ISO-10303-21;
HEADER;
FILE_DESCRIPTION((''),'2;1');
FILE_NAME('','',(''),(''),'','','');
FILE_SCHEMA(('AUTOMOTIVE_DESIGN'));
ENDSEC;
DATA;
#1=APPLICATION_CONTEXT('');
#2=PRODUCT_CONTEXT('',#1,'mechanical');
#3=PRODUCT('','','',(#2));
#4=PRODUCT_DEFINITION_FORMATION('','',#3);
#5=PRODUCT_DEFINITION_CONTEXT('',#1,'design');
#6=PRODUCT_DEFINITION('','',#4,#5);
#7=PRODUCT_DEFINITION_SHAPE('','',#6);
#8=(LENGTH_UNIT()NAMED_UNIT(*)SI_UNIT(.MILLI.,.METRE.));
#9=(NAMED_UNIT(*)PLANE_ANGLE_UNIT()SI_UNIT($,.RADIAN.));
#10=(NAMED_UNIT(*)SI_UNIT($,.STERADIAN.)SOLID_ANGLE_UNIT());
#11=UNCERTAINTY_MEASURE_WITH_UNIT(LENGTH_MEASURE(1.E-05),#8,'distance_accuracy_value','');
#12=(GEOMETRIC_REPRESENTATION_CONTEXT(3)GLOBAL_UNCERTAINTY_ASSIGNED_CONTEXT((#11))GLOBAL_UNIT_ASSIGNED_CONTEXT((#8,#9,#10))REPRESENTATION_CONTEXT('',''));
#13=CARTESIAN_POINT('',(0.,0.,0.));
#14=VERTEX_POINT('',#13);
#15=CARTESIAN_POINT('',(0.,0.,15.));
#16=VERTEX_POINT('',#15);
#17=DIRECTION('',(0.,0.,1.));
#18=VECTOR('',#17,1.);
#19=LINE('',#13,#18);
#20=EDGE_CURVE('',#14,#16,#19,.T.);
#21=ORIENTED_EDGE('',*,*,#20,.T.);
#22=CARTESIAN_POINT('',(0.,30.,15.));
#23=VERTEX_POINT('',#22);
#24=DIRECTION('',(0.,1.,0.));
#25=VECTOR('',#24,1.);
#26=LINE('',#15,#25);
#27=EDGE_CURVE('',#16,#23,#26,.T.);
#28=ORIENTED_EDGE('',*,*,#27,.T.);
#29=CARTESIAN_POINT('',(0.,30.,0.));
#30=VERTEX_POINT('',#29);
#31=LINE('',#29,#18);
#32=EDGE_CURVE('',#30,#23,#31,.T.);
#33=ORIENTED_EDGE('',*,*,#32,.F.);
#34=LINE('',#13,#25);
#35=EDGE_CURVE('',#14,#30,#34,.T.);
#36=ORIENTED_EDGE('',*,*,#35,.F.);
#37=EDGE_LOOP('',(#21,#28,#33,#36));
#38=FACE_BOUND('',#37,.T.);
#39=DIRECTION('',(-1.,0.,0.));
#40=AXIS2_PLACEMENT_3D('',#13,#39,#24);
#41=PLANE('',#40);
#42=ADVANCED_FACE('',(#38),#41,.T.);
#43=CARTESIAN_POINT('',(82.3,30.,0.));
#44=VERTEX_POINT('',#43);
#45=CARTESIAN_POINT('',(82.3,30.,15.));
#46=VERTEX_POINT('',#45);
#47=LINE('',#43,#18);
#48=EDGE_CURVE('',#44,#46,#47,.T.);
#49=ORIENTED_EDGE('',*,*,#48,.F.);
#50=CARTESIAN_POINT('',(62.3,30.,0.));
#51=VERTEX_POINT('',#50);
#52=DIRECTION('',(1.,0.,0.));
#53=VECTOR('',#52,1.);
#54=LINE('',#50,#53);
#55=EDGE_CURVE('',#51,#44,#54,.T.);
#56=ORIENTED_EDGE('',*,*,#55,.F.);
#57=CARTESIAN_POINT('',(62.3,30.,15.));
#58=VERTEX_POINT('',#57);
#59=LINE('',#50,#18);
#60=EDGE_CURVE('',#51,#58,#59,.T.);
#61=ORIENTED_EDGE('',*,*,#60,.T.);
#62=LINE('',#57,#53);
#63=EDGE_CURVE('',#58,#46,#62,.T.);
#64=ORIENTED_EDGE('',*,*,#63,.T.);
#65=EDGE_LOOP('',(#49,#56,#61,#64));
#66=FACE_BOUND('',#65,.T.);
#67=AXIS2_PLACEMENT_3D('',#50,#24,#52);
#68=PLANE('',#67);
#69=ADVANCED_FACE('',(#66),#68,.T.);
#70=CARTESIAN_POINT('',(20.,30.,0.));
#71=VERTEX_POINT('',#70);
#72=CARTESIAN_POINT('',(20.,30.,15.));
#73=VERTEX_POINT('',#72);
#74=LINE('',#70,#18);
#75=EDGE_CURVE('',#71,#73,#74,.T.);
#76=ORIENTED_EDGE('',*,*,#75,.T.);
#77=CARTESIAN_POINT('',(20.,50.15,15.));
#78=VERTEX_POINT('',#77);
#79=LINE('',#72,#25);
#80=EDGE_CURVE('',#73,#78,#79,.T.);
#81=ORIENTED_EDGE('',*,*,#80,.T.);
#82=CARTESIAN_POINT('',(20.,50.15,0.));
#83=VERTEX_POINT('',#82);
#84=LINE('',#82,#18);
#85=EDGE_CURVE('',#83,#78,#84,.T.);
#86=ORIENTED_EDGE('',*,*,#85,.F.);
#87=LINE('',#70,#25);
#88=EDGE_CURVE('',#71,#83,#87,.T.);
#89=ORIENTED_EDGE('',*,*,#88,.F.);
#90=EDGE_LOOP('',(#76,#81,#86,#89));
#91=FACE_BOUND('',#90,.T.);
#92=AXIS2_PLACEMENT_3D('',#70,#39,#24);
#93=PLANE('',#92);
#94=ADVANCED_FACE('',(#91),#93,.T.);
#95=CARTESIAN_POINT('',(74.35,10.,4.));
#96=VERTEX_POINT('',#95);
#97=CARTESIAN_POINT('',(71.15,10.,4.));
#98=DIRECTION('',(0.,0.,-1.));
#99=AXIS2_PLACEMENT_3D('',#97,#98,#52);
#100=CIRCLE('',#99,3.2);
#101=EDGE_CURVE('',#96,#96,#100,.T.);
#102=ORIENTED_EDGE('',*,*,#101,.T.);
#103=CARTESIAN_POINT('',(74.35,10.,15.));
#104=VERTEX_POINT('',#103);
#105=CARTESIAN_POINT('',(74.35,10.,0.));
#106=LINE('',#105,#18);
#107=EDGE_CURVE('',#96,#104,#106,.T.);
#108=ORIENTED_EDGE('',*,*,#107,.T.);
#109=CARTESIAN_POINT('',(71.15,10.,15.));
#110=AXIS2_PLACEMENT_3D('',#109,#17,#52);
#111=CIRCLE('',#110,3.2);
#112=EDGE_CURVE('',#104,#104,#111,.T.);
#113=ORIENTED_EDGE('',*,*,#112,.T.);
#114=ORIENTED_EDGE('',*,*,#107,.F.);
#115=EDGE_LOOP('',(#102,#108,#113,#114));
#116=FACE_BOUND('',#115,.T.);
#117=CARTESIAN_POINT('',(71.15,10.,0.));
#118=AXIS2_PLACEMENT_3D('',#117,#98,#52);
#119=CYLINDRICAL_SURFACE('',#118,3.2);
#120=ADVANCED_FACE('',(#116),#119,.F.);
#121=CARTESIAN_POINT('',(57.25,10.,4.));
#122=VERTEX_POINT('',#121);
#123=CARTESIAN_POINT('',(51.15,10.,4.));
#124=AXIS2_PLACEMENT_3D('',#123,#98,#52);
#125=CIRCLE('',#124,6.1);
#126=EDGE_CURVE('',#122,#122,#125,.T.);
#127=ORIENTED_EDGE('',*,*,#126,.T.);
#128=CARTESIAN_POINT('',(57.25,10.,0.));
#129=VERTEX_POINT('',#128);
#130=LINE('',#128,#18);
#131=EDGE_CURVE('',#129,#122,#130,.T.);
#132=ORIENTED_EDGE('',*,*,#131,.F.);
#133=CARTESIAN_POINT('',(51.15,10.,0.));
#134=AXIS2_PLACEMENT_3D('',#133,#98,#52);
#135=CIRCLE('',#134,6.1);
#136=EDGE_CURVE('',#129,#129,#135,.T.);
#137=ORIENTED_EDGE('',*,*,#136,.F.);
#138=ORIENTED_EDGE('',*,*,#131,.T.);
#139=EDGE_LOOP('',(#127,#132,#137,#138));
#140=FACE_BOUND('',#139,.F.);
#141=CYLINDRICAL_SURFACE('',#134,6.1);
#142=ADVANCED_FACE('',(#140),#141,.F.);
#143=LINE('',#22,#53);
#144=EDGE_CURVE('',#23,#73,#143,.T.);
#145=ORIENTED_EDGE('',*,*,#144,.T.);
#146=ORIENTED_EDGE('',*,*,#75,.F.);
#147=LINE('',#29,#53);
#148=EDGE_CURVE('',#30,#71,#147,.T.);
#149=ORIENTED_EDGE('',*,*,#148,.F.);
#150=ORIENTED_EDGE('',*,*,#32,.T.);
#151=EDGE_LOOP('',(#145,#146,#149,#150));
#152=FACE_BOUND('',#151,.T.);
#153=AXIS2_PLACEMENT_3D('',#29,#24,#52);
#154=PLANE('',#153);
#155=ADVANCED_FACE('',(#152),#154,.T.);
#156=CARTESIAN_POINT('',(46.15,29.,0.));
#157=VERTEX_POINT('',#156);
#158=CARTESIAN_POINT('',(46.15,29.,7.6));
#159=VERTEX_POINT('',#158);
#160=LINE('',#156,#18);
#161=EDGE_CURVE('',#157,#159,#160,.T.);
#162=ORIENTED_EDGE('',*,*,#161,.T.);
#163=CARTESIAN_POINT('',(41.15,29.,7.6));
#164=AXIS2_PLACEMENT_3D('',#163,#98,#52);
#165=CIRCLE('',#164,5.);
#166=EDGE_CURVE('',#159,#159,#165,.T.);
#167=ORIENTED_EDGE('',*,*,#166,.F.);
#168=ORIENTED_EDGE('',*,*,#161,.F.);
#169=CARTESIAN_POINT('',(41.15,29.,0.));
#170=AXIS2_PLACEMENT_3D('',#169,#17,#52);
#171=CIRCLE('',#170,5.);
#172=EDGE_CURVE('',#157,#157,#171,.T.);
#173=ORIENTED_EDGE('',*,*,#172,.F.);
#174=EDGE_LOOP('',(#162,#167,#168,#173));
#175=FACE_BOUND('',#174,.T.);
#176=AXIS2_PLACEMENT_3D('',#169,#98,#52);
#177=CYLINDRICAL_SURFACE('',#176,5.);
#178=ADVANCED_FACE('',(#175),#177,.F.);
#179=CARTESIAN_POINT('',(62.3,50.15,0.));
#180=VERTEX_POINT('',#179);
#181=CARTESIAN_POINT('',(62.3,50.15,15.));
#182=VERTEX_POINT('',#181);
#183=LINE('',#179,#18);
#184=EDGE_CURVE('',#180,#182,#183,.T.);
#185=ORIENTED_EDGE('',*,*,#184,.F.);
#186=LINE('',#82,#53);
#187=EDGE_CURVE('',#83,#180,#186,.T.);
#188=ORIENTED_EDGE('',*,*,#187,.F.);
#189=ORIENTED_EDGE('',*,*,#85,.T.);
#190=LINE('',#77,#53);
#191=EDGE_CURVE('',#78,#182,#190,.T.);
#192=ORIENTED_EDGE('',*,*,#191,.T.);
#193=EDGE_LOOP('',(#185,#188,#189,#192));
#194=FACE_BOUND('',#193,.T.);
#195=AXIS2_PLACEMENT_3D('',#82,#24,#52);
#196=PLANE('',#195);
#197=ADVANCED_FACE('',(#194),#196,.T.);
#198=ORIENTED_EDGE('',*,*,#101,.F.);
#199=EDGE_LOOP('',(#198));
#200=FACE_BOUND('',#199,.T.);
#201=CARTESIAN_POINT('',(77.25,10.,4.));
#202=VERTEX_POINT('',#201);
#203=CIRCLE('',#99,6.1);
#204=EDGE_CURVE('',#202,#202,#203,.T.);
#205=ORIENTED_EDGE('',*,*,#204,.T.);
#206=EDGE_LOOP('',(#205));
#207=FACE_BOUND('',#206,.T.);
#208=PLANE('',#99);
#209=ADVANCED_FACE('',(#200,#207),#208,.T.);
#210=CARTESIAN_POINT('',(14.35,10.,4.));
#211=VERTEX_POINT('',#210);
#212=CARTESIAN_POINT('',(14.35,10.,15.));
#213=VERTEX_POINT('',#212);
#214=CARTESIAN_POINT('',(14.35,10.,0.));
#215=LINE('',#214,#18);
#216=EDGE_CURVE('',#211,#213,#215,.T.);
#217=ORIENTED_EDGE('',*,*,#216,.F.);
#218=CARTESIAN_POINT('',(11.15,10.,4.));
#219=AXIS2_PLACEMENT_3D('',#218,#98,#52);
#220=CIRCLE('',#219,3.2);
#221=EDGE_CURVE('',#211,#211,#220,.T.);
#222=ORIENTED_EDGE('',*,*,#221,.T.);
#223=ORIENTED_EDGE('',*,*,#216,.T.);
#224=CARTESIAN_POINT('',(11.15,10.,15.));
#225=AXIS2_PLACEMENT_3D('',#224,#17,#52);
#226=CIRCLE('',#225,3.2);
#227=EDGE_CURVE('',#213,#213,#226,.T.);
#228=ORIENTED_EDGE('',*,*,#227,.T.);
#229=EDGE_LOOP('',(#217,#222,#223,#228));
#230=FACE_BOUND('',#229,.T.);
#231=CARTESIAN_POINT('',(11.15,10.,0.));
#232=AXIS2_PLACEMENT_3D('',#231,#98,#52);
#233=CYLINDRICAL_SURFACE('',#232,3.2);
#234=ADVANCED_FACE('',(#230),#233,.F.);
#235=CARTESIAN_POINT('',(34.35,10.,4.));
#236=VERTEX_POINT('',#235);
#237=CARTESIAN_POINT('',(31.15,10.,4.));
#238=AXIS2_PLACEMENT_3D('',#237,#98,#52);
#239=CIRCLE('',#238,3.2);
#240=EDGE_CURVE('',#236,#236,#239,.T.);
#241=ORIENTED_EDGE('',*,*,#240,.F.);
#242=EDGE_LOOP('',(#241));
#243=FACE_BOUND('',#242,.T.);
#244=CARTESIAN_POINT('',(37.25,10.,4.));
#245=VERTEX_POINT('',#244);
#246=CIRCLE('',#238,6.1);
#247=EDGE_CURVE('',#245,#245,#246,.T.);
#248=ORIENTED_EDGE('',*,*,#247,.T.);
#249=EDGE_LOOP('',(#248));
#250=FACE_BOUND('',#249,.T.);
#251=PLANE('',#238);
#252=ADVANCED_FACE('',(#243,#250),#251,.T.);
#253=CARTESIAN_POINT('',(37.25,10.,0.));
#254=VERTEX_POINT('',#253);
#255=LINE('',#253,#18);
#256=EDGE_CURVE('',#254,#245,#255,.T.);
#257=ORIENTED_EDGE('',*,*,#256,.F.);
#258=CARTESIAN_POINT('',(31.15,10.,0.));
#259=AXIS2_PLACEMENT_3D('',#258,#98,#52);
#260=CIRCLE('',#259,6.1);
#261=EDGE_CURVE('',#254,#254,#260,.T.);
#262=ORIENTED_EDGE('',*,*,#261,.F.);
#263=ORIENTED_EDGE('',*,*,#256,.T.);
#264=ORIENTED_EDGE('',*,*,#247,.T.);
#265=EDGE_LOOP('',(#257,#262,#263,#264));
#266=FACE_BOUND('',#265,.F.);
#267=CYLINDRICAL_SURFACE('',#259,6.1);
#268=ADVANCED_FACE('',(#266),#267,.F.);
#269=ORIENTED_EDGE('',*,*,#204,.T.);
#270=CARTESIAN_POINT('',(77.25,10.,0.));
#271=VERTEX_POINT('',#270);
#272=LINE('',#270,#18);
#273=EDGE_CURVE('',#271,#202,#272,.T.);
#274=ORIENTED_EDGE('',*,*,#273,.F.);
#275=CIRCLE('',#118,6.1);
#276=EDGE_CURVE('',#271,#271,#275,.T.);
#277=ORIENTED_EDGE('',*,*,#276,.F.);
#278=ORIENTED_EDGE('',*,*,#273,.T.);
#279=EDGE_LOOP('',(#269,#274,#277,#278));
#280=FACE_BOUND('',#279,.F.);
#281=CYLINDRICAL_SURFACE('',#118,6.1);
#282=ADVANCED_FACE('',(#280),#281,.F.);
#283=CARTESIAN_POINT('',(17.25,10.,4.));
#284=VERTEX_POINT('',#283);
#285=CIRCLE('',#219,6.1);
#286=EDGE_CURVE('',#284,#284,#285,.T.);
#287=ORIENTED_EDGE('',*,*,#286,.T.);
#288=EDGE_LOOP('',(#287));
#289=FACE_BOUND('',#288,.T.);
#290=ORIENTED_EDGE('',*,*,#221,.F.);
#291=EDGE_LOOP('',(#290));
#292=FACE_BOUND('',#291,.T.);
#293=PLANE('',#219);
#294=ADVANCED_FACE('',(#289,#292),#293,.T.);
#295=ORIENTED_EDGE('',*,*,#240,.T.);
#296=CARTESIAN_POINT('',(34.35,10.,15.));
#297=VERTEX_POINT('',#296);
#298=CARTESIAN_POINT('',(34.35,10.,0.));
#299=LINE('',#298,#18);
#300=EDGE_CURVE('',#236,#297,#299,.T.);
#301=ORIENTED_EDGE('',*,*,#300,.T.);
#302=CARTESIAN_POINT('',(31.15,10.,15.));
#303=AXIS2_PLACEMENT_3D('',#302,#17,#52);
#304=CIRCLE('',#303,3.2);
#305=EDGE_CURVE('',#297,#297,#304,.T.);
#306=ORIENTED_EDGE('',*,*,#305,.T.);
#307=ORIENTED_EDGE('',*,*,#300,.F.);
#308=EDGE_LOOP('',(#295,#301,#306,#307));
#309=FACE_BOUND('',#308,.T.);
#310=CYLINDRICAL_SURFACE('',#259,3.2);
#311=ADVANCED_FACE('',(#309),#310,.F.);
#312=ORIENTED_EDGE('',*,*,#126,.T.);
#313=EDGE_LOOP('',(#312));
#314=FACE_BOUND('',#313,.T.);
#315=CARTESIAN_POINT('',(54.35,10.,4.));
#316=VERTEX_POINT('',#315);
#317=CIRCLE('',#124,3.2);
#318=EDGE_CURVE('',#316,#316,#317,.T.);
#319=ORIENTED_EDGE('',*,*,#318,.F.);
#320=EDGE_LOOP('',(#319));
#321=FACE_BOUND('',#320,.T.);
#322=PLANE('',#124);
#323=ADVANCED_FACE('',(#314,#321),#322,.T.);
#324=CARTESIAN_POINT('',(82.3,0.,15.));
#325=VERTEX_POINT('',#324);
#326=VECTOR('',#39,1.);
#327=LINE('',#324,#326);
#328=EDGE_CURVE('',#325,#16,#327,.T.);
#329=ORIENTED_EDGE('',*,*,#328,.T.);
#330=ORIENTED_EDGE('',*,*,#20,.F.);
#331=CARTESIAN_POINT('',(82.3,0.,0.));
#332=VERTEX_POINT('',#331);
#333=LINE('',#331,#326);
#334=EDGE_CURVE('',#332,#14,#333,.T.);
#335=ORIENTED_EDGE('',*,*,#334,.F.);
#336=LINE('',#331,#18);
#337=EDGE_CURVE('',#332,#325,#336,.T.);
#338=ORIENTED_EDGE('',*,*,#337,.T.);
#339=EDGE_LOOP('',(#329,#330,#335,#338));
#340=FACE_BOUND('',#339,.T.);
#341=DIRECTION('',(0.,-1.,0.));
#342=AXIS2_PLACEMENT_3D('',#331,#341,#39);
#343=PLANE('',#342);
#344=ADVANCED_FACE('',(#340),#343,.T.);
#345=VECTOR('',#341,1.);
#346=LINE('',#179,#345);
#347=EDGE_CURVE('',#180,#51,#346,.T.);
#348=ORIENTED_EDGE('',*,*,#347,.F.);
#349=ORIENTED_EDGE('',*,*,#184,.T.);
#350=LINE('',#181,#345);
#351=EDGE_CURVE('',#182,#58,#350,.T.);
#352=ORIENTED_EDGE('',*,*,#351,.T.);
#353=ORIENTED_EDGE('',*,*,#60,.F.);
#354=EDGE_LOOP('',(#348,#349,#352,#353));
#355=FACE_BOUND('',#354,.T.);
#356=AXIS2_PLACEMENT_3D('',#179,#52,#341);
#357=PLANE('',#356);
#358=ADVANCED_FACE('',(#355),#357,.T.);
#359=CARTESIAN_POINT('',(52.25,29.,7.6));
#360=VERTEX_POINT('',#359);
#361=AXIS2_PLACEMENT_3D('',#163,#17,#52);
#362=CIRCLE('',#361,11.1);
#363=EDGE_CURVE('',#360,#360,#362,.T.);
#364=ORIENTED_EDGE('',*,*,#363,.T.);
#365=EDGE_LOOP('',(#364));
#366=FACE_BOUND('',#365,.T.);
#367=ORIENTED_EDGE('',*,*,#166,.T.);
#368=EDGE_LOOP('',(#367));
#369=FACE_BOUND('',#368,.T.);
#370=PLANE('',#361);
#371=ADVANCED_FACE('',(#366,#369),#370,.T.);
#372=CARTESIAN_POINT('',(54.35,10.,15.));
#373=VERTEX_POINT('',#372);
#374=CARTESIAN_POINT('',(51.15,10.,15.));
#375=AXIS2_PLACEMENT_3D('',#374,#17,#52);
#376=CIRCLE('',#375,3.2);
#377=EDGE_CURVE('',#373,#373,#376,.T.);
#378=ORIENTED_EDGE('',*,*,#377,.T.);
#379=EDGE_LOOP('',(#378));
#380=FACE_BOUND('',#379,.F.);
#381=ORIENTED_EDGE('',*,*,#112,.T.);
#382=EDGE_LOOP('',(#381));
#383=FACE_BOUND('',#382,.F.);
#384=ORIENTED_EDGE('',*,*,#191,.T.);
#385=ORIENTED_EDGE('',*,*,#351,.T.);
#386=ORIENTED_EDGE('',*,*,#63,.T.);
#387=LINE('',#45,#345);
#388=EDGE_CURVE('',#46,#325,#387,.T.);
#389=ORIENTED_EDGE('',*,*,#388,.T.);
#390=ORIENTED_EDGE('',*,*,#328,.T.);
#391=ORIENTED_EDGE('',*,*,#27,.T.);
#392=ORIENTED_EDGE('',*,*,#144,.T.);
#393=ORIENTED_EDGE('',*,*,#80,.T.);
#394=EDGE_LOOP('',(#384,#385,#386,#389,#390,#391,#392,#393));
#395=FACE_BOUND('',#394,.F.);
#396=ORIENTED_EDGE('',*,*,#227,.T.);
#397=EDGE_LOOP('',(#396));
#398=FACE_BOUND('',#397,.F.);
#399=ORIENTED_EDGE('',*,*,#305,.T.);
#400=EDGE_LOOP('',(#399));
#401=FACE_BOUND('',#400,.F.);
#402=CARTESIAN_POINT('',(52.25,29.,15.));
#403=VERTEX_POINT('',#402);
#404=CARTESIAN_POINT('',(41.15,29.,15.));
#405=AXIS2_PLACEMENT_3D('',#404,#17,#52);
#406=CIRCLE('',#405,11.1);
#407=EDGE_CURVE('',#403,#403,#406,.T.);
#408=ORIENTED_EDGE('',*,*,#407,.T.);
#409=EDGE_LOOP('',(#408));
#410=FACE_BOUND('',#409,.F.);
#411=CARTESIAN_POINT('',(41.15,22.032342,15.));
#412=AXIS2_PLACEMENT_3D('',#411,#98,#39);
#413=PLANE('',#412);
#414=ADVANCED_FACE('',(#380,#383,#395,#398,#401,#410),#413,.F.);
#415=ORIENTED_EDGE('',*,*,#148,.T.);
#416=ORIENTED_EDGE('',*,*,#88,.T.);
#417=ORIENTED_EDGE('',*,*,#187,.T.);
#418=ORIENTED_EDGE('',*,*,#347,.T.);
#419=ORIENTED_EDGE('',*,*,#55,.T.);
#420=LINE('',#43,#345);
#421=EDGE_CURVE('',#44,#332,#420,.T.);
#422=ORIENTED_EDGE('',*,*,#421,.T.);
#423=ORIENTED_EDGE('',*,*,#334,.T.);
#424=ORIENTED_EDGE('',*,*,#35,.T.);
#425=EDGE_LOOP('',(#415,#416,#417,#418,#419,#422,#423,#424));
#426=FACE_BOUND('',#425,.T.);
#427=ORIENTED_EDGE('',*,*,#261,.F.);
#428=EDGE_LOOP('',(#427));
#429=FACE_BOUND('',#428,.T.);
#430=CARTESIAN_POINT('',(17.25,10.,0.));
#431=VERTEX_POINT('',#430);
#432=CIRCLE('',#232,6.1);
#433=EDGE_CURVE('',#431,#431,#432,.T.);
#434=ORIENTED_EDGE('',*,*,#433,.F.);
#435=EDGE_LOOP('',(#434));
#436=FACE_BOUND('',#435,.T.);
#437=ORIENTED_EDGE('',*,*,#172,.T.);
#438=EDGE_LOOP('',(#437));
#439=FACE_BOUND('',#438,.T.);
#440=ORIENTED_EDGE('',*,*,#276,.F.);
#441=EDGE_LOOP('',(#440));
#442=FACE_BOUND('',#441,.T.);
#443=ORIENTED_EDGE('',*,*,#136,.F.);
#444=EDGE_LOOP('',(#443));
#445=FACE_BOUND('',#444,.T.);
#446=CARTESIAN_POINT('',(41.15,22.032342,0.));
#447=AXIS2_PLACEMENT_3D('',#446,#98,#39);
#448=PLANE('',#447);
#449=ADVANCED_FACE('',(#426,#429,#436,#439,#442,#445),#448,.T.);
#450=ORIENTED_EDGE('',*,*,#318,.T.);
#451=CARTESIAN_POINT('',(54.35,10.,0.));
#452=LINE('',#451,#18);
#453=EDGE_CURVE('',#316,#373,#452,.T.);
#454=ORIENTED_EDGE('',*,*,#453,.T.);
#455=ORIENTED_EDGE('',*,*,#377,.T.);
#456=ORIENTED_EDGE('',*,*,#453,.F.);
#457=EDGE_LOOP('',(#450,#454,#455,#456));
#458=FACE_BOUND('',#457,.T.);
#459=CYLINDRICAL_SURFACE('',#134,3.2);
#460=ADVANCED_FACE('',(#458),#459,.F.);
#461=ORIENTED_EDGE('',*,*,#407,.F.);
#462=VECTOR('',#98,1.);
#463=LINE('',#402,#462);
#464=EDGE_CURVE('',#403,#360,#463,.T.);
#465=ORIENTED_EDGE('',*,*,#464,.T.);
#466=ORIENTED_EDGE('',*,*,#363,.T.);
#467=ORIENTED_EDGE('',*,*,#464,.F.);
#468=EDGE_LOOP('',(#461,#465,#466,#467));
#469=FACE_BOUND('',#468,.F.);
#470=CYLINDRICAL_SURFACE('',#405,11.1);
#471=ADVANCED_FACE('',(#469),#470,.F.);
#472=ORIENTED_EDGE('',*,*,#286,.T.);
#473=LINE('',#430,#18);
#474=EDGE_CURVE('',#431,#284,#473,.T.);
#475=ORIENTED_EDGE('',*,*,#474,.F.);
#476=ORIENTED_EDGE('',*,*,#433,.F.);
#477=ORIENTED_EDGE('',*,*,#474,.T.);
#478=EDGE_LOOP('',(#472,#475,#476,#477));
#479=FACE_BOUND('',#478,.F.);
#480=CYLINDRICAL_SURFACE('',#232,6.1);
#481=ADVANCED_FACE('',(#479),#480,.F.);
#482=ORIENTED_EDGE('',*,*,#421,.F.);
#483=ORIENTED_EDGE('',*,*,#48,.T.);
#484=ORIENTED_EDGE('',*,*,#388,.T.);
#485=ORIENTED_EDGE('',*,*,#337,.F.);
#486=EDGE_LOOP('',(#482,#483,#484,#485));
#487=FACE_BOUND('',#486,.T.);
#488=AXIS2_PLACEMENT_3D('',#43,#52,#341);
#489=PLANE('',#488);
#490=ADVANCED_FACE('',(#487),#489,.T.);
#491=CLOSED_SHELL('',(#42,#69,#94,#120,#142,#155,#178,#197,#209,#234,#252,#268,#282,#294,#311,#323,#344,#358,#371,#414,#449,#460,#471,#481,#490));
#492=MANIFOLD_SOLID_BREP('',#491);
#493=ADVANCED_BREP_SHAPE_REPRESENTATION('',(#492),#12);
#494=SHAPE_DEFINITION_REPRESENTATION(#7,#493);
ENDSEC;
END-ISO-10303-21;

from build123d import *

# Parameters (mm, degrees)
SKETCH_R        = 5
SKETCH_R_2      = 3.2
PAD_DEPTH       = 15
SKETCH002_R     = 6.1
POCKET001_DEPTH = 4
SKETCH003_R     = 11.1
POCKET_DEPTH    = 7.4


with BuildPart() as part:
    # Sketch → Pad (new body)
    with BuildSketch(Plane.XY):
        Polygon((20, 30), (20, 50.15), (62.3, 50.15), (62.3, 30), (82.3, 30), (82.3, 0), (0, 0), (0, 30), align=None)
        with Locations((41.15, 29)):
            Circle(SKETCH_R, mode=Mode.SUBTRACT)
        with Locations((11.15, 10)):
            Circle(SKETCH_R_2, mode=Mode.SUBTRACT)
        with Locations((31.15, 10)):
            Circle(SKETCH_R_2, mode=Mode.SUBTRACT)
        with Locations((51.15, 10)):
            Circle(SKETCH_R_2, mode=Mode.SUBTRACT)
        with Locations((71.15, 10)):
            Circle(SKETCH_R_2, mode=Mode.SUBTRACT)
    extrude(amount=PAD_DEPTH)

    # Sketch002 → Pocket001 (cut)
    with BuildSketch(Plane(origin=(0, 0, 0), x_dir=(1, 0, 0), z_dir=(0, 0, -1))):
        with Locations((11.15, -10)):
            Circle(SKETCH002_R)
        with Locations((31.15, -10)):
            Circle(SKETCH002_R)
        with Locations((51.15, -10)):
            Circle(SKETCH002_R)
        with Locations((71.15, -10)):
            Circle(SKETCH002_R)
    extrude(amount=-POCKET001_DEPTH, mode=Mode.SUBTRACT)

    # Sketch003 (on Face5 of Pocket001) → Pocket (cut)
    with BuildSketch(Plane.XY.offset(15)):
        with Locations((41.15, 29)):
            Circle(SKETCH003_R)
    extrude(amount=-POCKET_DEPTH, mode=Mode.SUBTRACT)


solid = part.part
